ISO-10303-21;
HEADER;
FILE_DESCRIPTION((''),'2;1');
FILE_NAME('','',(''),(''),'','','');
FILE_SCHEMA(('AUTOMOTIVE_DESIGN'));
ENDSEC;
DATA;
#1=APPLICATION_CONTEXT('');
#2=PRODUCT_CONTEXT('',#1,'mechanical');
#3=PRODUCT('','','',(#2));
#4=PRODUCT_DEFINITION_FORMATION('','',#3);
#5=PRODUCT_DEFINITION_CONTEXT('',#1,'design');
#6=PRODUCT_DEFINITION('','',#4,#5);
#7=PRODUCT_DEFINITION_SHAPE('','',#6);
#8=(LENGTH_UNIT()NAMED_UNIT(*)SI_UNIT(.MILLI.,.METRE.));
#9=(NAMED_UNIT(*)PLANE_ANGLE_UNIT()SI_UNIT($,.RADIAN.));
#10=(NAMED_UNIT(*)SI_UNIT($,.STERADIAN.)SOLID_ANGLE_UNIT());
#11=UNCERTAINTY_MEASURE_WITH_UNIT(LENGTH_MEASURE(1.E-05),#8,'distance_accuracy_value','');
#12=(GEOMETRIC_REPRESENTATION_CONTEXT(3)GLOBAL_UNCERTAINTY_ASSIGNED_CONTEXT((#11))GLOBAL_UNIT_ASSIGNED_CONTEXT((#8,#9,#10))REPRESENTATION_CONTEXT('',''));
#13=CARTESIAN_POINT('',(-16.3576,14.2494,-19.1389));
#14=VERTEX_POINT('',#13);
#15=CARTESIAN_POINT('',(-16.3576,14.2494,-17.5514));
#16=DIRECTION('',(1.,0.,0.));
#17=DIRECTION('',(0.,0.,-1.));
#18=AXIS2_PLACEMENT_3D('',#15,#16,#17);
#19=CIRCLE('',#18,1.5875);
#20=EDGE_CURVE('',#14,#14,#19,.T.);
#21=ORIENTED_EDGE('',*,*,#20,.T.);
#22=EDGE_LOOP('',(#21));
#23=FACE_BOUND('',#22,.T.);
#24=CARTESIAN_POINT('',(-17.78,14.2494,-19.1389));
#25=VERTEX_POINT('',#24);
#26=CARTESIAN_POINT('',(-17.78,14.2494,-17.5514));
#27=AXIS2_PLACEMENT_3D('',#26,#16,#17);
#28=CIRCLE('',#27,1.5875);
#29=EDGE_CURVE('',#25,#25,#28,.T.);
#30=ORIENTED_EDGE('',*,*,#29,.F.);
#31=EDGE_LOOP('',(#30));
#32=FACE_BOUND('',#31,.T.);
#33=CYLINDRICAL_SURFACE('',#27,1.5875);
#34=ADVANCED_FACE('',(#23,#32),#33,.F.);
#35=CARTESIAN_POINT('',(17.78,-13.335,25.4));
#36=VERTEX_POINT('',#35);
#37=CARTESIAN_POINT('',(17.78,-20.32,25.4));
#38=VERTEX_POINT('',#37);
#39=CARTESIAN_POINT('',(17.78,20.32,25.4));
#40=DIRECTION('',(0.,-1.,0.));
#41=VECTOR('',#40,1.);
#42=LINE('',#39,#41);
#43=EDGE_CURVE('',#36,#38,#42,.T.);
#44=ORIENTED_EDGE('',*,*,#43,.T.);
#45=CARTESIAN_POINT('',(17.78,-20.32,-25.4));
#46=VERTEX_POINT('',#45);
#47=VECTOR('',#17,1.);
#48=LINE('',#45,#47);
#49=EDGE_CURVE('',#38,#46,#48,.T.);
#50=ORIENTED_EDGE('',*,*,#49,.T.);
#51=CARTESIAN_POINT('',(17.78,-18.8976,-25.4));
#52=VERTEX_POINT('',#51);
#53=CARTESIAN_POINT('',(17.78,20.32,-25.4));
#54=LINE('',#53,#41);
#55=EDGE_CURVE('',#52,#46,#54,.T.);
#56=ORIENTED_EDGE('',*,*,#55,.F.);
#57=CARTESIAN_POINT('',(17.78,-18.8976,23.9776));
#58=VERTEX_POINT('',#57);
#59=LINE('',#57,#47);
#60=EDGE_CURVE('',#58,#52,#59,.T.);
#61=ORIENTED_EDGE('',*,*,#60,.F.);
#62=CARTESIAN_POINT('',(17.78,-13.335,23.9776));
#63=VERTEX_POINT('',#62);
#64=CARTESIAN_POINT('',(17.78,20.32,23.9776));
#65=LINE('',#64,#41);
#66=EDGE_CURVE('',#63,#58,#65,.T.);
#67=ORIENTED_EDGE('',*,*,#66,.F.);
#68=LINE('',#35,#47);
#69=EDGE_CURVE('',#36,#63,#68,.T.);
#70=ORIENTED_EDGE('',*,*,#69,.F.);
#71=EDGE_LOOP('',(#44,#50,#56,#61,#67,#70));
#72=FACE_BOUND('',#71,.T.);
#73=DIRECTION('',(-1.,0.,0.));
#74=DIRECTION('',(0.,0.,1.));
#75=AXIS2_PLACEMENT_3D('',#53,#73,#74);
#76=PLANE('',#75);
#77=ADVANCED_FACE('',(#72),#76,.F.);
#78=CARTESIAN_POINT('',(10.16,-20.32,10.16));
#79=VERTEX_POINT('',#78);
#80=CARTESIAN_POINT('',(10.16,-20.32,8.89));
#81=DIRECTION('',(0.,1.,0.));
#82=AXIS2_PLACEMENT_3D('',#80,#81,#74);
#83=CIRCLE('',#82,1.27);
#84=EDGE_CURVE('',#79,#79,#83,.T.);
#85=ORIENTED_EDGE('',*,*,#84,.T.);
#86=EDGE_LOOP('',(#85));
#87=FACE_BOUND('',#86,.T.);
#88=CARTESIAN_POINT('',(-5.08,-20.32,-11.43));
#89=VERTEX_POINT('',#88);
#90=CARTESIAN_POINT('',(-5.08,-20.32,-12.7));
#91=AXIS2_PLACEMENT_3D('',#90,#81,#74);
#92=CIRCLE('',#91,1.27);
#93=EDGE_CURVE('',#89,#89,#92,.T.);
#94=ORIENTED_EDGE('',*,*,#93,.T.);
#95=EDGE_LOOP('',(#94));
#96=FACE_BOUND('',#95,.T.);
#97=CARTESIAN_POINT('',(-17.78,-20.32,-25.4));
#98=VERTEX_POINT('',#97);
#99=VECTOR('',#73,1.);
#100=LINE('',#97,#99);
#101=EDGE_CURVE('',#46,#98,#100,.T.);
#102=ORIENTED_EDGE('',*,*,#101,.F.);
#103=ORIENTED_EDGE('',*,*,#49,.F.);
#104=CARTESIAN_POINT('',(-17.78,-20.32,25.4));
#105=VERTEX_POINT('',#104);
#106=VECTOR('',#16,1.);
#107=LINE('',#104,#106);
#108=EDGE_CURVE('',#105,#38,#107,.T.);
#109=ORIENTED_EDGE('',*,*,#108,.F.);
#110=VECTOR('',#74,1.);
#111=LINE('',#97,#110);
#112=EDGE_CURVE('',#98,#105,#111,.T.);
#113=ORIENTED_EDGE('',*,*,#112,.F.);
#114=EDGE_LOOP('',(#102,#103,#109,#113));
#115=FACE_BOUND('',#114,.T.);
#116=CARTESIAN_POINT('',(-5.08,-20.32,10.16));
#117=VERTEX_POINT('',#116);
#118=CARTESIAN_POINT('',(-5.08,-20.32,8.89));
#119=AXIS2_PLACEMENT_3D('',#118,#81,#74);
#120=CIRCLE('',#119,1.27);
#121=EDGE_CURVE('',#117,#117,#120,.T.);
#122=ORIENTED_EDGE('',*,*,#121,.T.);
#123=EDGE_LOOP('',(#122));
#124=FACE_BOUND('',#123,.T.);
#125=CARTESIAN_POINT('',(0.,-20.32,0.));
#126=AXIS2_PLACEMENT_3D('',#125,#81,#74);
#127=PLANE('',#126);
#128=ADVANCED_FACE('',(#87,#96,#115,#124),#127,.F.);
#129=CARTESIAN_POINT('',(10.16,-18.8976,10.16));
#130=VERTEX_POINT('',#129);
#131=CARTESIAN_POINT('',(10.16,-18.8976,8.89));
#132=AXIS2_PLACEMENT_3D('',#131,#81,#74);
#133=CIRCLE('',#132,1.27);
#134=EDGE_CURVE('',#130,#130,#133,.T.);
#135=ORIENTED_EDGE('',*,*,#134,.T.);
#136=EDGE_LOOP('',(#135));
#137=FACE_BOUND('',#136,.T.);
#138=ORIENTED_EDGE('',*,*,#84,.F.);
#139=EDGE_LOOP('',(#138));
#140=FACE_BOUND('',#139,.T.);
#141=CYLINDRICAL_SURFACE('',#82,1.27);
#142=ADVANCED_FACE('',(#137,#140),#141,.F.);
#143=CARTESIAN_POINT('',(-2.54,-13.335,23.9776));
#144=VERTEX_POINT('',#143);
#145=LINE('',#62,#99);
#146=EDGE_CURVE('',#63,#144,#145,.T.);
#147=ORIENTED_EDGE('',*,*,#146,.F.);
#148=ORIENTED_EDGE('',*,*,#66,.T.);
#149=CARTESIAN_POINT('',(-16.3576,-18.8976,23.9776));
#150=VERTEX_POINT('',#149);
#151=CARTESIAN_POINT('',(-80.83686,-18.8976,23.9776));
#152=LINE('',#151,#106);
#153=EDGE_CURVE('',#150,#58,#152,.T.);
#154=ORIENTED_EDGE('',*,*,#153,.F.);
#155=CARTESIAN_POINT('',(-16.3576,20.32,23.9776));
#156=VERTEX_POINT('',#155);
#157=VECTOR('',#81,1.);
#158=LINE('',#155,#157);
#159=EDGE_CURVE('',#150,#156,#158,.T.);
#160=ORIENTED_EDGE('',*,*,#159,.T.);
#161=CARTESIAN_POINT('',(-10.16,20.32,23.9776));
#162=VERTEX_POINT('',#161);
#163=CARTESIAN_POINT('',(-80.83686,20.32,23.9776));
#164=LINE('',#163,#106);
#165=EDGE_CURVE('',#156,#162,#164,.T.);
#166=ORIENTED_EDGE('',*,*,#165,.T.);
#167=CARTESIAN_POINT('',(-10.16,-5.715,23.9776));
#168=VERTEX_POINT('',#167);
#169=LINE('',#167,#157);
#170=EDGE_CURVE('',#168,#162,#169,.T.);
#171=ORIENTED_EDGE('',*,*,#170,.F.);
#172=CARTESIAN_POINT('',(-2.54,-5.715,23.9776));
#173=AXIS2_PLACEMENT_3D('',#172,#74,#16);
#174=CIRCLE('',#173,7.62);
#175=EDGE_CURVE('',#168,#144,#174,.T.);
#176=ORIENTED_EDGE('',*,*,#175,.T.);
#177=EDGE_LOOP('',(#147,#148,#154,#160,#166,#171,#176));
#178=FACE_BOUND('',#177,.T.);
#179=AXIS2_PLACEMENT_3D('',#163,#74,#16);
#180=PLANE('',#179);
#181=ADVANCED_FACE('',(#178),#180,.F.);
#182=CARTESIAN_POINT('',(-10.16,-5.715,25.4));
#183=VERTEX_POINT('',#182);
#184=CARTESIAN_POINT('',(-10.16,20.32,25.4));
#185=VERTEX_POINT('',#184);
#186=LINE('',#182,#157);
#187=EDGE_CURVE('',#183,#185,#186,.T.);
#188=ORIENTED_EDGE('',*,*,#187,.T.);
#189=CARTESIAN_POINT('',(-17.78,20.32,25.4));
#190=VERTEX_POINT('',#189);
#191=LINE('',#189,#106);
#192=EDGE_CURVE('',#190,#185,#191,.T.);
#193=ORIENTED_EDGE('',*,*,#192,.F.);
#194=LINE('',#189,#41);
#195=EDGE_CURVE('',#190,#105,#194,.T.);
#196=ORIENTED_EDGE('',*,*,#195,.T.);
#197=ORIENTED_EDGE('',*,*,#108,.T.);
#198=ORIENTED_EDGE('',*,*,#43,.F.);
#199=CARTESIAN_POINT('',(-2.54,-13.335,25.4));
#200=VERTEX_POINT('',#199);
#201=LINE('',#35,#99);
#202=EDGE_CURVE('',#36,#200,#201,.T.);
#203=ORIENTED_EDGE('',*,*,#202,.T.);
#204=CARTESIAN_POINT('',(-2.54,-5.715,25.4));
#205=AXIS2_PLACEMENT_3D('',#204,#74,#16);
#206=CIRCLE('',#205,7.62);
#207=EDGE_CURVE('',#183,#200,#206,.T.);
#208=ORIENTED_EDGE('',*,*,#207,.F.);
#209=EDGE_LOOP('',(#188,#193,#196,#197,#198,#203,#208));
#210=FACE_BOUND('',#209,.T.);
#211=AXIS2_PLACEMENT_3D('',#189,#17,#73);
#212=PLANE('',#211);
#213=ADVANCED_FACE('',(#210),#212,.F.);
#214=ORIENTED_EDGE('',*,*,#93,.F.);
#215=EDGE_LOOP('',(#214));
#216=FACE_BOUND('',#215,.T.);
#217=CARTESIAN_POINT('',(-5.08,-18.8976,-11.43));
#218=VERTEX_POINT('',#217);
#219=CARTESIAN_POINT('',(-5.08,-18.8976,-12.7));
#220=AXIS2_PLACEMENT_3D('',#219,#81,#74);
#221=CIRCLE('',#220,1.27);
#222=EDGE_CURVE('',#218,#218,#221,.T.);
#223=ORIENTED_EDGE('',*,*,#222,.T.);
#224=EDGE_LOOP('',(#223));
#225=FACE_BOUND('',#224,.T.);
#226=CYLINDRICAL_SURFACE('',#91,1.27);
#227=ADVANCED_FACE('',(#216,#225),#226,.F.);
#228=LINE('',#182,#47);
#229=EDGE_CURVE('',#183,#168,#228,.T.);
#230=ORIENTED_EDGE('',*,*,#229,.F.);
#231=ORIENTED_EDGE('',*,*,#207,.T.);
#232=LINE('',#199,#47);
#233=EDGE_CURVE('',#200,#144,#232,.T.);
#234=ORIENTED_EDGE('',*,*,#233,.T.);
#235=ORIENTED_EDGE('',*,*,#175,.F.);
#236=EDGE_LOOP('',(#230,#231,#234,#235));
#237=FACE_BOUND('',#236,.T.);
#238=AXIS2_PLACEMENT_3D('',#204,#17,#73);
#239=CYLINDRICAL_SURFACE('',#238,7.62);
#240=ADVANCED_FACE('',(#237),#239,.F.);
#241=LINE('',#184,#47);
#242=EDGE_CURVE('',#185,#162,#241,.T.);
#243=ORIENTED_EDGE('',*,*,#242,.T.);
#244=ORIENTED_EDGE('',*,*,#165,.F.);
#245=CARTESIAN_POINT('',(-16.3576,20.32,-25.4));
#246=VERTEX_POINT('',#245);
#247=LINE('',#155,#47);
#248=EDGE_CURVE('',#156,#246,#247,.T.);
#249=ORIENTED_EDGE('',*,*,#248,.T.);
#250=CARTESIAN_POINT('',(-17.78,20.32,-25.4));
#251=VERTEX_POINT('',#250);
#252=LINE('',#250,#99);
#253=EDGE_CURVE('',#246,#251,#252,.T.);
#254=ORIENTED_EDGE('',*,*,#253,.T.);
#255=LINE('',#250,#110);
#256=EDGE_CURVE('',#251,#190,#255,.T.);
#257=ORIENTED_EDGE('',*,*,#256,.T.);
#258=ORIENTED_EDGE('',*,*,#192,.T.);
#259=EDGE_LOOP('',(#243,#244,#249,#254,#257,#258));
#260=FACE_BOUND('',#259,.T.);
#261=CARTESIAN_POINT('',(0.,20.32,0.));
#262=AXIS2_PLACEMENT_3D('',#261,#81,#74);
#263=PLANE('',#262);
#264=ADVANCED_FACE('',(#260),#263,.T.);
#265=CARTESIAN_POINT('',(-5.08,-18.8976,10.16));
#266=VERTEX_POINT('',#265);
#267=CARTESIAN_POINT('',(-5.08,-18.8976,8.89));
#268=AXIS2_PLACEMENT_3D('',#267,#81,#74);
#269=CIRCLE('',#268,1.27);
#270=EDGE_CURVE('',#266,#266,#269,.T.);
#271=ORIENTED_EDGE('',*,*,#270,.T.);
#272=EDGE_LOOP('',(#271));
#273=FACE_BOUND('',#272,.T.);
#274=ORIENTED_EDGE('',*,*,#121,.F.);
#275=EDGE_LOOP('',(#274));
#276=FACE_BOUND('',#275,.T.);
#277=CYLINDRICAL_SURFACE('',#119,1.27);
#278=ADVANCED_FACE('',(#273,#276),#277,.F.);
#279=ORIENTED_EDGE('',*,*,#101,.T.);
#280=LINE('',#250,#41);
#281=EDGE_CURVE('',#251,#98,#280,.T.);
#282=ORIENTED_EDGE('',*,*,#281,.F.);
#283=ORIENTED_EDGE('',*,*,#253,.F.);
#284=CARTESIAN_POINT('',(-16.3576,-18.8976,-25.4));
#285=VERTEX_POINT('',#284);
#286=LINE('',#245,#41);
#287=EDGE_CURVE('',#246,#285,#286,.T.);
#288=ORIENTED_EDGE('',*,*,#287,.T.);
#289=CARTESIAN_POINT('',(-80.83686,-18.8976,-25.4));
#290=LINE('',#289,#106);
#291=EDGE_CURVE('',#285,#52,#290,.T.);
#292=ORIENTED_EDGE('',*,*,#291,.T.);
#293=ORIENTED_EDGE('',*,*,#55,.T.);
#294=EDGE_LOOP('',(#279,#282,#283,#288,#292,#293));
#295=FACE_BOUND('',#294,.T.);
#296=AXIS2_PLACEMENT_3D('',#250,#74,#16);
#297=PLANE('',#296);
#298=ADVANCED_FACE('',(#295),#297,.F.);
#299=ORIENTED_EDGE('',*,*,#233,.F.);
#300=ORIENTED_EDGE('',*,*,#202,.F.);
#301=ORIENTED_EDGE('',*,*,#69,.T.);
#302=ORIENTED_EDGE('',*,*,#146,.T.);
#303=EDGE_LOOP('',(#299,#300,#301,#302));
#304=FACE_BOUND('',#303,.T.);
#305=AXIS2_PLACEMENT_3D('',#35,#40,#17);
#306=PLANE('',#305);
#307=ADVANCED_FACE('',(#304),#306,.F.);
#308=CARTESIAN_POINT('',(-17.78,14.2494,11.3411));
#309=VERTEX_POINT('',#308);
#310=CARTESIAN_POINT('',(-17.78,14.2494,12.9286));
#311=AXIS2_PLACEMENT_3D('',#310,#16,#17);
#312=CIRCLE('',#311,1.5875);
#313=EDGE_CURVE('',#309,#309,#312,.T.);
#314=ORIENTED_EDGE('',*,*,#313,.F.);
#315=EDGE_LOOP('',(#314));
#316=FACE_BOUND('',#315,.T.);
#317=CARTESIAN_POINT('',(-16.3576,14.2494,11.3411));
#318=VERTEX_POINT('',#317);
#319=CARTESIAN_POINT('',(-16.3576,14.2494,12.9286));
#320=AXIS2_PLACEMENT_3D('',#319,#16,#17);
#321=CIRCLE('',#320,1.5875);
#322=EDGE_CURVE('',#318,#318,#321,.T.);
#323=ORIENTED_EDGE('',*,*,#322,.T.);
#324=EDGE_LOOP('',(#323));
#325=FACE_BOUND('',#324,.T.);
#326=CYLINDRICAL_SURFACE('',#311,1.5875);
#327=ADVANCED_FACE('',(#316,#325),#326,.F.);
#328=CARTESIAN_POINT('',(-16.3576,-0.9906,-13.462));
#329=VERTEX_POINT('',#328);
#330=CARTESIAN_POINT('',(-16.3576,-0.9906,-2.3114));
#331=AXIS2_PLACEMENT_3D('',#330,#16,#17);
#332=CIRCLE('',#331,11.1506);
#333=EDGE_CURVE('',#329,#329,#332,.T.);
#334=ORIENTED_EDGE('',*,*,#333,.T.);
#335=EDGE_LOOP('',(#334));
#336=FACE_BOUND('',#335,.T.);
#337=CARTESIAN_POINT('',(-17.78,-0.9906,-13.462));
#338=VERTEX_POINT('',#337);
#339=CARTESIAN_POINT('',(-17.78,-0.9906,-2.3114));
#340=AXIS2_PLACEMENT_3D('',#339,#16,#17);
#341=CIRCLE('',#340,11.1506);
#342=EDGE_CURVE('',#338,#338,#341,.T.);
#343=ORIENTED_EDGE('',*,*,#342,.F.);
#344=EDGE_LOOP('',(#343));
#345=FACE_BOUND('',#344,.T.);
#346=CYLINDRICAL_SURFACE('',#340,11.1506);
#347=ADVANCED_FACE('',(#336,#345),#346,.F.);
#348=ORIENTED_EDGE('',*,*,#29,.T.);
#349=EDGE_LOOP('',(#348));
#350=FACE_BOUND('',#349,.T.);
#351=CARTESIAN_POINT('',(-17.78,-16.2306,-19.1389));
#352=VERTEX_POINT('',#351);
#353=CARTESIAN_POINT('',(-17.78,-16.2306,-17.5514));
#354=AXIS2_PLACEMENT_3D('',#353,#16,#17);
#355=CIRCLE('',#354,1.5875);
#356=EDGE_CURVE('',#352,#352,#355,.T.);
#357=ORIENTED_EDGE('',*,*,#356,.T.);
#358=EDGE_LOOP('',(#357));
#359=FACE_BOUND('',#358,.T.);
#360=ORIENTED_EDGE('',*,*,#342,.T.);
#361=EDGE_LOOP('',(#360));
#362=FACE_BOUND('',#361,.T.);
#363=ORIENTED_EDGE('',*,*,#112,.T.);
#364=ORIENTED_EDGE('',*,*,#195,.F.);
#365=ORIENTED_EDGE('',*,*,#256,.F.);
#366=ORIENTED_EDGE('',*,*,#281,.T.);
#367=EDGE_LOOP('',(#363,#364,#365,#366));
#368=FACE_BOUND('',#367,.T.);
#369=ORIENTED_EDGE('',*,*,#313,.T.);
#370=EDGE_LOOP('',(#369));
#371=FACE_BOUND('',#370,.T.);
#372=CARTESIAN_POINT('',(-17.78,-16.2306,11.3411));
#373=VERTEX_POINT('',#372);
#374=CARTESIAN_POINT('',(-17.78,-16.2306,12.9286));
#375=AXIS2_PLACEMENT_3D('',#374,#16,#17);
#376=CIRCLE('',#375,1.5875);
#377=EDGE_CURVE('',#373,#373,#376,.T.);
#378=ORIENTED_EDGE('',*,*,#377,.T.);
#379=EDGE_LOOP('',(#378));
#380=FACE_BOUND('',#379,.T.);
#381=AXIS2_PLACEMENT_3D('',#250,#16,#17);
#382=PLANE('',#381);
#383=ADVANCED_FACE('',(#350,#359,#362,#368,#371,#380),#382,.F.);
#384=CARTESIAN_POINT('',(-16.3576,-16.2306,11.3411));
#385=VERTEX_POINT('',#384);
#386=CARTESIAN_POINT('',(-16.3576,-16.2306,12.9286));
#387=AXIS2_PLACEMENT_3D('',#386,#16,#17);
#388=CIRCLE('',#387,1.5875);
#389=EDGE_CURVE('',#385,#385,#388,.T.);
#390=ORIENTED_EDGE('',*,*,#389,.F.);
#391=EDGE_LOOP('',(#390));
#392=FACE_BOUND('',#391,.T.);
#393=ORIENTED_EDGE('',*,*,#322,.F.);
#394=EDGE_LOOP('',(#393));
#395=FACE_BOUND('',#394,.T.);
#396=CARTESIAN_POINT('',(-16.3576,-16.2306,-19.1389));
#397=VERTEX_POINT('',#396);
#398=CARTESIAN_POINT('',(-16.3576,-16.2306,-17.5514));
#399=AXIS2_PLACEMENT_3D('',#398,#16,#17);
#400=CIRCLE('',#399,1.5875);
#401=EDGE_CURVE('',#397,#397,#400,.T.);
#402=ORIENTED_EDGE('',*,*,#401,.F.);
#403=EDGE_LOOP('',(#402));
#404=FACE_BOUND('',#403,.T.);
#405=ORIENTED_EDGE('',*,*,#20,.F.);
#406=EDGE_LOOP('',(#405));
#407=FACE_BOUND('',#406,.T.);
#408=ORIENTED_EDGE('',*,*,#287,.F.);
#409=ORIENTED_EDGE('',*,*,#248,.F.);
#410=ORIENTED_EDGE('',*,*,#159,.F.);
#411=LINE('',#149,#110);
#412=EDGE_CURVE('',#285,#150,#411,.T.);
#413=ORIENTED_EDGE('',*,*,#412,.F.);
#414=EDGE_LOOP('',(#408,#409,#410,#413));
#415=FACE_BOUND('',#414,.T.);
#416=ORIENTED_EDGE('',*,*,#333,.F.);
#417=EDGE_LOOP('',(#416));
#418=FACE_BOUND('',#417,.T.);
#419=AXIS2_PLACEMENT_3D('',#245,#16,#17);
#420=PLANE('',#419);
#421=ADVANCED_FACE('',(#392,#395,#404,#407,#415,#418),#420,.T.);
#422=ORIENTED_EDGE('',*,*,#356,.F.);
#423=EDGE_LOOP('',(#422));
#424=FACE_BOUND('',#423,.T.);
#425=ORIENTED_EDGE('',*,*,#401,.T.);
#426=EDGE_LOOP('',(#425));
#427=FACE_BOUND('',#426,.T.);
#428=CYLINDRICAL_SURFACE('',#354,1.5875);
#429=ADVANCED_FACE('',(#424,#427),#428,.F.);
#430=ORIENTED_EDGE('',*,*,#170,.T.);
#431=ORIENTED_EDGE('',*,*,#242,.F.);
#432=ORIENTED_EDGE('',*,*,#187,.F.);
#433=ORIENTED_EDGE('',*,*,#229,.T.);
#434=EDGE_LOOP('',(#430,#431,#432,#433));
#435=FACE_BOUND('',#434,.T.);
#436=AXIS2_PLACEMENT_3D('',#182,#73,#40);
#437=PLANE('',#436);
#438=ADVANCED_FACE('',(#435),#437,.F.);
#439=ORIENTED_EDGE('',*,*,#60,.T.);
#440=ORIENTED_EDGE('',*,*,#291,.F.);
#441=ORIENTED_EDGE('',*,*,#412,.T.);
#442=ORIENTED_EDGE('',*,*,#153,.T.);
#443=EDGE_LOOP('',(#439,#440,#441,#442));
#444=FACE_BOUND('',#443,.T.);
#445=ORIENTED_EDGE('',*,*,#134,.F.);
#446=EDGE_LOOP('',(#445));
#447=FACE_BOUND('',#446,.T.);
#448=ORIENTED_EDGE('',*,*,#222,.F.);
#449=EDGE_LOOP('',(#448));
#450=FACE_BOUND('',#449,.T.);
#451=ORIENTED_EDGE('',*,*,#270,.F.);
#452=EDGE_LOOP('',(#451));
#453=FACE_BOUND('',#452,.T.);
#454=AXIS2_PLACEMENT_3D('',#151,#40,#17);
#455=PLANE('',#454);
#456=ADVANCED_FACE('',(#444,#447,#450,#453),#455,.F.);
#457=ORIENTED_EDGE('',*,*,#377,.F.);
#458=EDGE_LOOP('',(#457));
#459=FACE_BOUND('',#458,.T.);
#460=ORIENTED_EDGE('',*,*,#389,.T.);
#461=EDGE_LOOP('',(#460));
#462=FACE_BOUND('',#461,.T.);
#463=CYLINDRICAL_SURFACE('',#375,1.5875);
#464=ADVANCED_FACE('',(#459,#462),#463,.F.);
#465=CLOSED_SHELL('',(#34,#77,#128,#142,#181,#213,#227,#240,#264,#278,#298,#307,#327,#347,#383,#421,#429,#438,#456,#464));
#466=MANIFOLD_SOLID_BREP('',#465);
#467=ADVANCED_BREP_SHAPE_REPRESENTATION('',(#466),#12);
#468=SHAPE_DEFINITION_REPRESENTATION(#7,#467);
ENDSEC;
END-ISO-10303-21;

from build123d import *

# Parameters (mm, degrees)
SKETCH1_W           = 35.56
SKETCH1_H           = 50.8
BOSS_EXTRUDE1_DEPTH = 20.32
SKETCH2_W           = 49.3776
SKETCH2_H           = 39.2176
CUT_EXTRUDE1_DEPTH  = 34.1376
SKETCH3_R           = 1.27
CUT_EXTRUDE2_DEPTH  = 2.4224
CUT_EXTRUDE3_DEPTH  = 2.4224
SKETCH7_R           = 11.1506
SKETCH7_R_2         = 1.5875
CUT_EXTRUDE4_DEPTH  = 2.4224


with BuildPart() as part:
    # Sketch1 → Boss-Extrude1 (new body, symmetric)
    with BuildSketch(Plane(origin=(0, 0, 0), x_dir=(1, 0, 0), z_dir=(0, 1, 0))):
        Rectangle(SKETCH1_W, SKETCH1_H)
    extrude(amount=BOSS_EXTRUDE1_DEPTH, both=True)

    # Sketch2 → Cut-Extrude1 (cut)
    with BuildSketch(Plane(origin=(17.78, 0, 0), x_dir=(0, 0, -1), z_dir=(1, 0, 0))):
        with Locations((0.7112, 0.7112)):
            Rectangle(SKETCH2_W, SKETCH2_H)
    extrude(amount=-CUT_EXTRUDE1_DEPTH, mode=Mode.SUBTRACT)

    # Sketch3 → Cut-Extrude2 (cut, through all)
    with BuildSketch(Plane(origin=(0, -18.8976, 0), x_dir=(1, 0, 0), z_dir=(0, 1, 0))):
        with Locations((-5.08, -8.89)):
            Circle(SKETCH3_R)
        with Locations((10.16, -8.89)):
            Circle(SKETCH3_R)
        with Locations((-5.08, 12.7)):
            Circle(SKETCH3_R)
    extrude(amount=-CUT_EXTRUDE2_DEPTH, mode=Mode.SUBTRACT)

    # Sketch6 → Cut-Extrude3 (cut, through all)
    with BuildSketch(Plane(origin=(0, 0, 23.9776), x_dir=(-1, 0, 0), z_dir=(0, 0, -1))):
        with BuildLine():
            Line((-17.78, -13.335), (-17.78, 20.32))
            Line((-17.78, 20.32), (10.16, 20.32))
            Line((10.16, 20.32), (10.16, -5.715))
            ThreePointArc((10.16, -5.715), (7.928153673, -11.103153673), (2.54, -13.335))
            Line((2.54, -13.335), (-17.78, -13.335))
        make_face()
    extrude(amount=-CUT_EXTRUDE3_DEPTH, mode=Mode.SUBTRACT)

    # Sketch7 → Cut-Extrude4 (cut, through all)
    with BuildSketch(Plane(origin=(-16.3576, 0, 0), x_dir=(0, 0, -1), z_dir=(1, 0, 0))):
        with Locations((2.3114, -0.9906)):
            Circle(SKETCH7_R)
        with Locations((-12.9286, 14.2494)):
            Circle(SKETCH7_R_2)
        with Locations((17.5514, 14.2494)):
            Circle(SKETCH7_R_2)
        with Locations((17.5514, -16.2306)):
            Circle(SKETCH7_R_2)
        with Locations((-12.9286, -16.2306)):
            Circle(SKETCH7_R_2)
    extrude(amount=-CUT_EXTRUDE4_DEPTH, mode=Mode.SUBTRACT)


solid = part.part
